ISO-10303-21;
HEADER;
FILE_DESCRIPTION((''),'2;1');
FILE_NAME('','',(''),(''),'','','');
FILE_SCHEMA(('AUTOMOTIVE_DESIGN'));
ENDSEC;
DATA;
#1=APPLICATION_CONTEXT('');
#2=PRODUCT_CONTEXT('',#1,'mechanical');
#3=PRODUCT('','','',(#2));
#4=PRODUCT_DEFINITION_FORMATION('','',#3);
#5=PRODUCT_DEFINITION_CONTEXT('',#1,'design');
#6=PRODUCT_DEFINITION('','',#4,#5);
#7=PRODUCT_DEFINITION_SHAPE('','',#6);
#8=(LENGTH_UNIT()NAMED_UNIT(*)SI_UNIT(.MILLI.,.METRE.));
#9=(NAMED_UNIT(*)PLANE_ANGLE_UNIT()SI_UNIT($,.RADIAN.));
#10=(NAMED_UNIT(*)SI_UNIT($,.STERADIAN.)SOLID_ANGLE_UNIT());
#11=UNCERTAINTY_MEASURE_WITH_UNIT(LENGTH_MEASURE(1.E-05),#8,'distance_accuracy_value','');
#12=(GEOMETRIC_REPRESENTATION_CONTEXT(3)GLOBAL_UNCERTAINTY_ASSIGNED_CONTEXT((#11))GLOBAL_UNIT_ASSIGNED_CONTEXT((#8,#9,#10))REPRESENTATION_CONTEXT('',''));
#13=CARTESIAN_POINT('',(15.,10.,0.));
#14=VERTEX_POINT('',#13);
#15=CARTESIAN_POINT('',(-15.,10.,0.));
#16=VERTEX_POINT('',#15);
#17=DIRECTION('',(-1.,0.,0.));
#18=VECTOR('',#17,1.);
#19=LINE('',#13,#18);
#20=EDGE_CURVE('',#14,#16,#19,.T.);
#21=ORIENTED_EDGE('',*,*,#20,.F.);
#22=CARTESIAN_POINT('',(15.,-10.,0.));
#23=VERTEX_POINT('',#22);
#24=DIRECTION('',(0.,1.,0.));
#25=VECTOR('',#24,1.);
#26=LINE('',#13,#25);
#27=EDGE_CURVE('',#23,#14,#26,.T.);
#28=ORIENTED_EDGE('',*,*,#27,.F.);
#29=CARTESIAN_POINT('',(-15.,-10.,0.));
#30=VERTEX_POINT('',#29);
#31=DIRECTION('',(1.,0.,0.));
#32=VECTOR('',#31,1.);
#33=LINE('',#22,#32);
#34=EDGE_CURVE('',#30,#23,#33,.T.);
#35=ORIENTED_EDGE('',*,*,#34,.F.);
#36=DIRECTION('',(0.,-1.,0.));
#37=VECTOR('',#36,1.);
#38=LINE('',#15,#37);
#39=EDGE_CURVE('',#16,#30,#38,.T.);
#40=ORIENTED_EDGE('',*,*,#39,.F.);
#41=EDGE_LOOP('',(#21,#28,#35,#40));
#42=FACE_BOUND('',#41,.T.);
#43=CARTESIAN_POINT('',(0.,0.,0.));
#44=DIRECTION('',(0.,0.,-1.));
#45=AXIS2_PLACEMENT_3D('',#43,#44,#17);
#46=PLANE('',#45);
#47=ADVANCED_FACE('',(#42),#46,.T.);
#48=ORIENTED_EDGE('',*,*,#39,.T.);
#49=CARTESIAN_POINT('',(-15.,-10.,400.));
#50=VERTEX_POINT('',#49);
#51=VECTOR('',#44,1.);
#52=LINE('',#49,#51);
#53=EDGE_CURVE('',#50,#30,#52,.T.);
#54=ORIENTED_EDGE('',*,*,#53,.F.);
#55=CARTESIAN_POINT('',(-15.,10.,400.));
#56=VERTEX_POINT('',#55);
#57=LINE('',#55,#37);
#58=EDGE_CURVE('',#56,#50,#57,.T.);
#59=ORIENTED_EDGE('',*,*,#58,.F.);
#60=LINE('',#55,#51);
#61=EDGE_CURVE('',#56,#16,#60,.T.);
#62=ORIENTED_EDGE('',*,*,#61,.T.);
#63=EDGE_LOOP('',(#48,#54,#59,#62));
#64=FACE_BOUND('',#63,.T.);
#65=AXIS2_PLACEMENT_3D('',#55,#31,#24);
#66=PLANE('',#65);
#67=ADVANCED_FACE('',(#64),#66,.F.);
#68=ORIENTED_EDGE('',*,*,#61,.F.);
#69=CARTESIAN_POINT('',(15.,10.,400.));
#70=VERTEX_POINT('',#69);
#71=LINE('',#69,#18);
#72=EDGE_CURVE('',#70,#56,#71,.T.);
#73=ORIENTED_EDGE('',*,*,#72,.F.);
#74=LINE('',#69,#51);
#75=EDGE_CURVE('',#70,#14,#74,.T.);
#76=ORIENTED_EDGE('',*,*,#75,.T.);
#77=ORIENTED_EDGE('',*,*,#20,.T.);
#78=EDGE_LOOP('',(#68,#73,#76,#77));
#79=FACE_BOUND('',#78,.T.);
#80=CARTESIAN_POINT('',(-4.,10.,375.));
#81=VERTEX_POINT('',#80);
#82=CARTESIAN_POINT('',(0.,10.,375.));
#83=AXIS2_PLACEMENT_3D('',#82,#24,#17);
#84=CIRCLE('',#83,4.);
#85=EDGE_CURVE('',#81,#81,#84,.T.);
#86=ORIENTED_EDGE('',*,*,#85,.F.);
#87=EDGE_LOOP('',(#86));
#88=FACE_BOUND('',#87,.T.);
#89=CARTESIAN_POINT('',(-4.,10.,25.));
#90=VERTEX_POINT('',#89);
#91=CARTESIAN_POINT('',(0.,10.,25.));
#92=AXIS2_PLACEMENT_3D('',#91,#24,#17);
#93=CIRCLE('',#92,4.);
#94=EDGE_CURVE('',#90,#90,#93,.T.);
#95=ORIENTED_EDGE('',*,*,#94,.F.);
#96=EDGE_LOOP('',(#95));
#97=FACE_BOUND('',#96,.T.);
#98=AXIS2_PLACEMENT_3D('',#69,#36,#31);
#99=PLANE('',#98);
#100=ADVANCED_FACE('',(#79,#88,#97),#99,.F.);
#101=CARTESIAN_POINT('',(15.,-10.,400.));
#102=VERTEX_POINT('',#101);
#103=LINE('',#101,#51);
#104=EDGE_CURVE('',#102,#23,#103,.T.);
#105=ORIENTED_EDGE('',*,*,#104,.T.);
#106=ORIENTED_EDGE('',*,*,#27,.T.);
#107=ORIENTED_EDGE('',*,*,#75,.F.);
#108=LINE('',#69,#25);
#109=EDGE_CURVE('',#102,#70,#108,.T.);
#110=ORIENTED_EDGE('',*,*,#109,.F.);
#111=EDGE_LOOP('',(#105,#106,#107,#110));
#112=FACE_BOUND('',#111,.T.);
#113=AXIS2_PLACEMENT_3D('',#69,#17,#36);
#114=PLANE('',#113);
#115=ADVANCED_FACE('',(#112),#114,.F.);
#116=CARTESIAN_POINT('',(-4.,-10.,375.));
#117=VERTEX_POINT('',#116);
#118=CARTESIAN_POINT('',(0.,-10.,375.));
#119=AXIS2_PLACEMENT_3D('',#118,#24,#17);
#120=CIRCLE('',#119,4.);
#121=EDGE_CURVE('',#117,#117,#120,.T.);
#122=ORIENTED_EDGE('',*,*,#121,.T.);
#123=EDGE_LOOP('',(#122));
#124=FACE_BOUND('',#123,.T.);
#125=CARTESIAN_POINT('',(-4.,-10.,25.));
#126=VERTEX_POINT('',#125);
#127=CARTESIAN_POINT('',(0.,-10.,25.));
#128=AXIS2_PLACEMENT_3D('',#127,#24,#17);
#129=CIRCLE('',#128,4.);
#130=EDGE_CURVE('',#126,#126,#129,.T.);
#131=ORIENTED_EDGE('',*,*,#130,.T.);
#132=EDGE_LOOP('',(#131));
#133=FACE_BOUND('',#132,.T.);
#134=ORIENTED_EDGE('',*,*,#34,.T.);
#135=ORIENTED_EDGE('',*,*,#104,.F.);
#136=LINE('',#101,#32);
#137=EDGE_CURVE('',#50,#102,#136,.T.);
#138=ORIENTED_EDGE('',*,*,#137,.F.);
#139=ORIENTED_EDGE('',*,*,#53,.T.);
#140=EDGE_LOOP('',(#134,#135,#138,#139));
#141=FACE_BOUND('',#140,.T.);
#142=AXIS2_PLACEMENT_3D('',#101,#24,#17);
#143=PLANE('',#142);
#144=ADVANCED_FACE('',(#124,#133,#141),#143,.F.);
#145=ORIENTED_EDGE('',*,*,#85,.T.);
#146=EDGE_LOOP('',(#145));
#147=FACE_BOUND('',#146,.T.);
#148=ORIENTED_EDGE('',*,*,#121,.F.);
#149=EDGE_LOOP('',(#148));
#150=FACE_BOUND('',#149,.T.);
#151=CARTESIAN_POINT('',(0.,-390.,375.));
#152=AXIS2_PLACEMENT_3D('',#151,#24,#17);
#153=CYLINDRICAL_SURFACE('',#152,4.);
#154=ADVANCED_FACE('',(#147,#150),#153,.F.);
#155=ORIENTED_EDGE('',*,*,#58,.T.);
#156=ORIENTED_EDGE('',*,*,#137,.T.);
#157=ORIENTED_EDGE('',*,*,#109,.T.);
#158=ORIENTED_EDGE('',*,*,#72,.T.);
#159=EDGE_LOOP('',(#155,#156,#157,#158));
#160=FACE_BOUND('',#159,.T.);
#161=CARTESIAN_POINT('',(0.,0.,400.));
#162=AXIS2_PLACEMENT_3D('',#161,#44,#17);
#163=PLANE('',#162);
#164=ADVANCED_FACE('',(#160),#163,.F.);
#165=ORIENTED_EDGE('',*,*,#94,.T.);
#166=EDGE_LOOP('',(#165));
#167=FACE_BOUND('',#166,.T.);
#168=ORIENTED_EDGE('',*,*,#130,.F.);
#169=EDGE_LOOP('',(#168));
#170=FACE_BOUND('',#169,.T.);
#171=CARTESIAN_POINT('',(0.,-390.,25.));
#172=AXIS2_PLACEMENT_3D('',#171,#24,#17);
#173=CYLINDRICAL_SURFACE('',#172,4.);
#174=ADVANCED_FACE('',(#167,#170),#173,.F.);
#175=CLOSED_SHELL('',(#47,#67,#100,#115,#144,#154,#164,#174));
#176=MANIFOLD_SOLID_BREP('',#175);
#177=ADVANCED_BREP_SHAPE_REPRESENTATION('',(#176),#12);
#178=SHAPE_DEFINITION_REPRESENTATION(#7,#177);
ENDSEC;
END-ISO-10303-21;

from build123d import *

# Parameters (mm, degrees)
CROQUIS1_W              = 30
CROQUIS1_H              = 20
SALIENTE_EXTRUIR1_DEPTH = 400
CROQUIS2_R              = 4
CORTAR_EXTRUIR1_DEPTH   = 400


with BuildPart() as part:
    # Croquis1 → Saliente-Extruir1 (new body)
    with BuildSketch(Plane.XY):
        Rectangle(CROQUIS1_W, CROQUIS1_H)
    extrude(amount=SALIENTE_EXTRUIR1_DEPTH)

    # Croquis2 → Cortar-Extruir1 (cut)
    with BuildSketch(Plane(origin=(0, 10, 0), x_dir=(1, 0, 0), z_dir=(0, 1, 0))):
        with Locations((0, -375)):
            Circle(CROQUIS2_R)
        with Locations((0, -25)):
            Circle(CROQUIS2_R)
    extrude(amount=-CORTAR_EXTRUIR1_DEPTH, mode=Mode.SUBTRACT)


solid = part.part
